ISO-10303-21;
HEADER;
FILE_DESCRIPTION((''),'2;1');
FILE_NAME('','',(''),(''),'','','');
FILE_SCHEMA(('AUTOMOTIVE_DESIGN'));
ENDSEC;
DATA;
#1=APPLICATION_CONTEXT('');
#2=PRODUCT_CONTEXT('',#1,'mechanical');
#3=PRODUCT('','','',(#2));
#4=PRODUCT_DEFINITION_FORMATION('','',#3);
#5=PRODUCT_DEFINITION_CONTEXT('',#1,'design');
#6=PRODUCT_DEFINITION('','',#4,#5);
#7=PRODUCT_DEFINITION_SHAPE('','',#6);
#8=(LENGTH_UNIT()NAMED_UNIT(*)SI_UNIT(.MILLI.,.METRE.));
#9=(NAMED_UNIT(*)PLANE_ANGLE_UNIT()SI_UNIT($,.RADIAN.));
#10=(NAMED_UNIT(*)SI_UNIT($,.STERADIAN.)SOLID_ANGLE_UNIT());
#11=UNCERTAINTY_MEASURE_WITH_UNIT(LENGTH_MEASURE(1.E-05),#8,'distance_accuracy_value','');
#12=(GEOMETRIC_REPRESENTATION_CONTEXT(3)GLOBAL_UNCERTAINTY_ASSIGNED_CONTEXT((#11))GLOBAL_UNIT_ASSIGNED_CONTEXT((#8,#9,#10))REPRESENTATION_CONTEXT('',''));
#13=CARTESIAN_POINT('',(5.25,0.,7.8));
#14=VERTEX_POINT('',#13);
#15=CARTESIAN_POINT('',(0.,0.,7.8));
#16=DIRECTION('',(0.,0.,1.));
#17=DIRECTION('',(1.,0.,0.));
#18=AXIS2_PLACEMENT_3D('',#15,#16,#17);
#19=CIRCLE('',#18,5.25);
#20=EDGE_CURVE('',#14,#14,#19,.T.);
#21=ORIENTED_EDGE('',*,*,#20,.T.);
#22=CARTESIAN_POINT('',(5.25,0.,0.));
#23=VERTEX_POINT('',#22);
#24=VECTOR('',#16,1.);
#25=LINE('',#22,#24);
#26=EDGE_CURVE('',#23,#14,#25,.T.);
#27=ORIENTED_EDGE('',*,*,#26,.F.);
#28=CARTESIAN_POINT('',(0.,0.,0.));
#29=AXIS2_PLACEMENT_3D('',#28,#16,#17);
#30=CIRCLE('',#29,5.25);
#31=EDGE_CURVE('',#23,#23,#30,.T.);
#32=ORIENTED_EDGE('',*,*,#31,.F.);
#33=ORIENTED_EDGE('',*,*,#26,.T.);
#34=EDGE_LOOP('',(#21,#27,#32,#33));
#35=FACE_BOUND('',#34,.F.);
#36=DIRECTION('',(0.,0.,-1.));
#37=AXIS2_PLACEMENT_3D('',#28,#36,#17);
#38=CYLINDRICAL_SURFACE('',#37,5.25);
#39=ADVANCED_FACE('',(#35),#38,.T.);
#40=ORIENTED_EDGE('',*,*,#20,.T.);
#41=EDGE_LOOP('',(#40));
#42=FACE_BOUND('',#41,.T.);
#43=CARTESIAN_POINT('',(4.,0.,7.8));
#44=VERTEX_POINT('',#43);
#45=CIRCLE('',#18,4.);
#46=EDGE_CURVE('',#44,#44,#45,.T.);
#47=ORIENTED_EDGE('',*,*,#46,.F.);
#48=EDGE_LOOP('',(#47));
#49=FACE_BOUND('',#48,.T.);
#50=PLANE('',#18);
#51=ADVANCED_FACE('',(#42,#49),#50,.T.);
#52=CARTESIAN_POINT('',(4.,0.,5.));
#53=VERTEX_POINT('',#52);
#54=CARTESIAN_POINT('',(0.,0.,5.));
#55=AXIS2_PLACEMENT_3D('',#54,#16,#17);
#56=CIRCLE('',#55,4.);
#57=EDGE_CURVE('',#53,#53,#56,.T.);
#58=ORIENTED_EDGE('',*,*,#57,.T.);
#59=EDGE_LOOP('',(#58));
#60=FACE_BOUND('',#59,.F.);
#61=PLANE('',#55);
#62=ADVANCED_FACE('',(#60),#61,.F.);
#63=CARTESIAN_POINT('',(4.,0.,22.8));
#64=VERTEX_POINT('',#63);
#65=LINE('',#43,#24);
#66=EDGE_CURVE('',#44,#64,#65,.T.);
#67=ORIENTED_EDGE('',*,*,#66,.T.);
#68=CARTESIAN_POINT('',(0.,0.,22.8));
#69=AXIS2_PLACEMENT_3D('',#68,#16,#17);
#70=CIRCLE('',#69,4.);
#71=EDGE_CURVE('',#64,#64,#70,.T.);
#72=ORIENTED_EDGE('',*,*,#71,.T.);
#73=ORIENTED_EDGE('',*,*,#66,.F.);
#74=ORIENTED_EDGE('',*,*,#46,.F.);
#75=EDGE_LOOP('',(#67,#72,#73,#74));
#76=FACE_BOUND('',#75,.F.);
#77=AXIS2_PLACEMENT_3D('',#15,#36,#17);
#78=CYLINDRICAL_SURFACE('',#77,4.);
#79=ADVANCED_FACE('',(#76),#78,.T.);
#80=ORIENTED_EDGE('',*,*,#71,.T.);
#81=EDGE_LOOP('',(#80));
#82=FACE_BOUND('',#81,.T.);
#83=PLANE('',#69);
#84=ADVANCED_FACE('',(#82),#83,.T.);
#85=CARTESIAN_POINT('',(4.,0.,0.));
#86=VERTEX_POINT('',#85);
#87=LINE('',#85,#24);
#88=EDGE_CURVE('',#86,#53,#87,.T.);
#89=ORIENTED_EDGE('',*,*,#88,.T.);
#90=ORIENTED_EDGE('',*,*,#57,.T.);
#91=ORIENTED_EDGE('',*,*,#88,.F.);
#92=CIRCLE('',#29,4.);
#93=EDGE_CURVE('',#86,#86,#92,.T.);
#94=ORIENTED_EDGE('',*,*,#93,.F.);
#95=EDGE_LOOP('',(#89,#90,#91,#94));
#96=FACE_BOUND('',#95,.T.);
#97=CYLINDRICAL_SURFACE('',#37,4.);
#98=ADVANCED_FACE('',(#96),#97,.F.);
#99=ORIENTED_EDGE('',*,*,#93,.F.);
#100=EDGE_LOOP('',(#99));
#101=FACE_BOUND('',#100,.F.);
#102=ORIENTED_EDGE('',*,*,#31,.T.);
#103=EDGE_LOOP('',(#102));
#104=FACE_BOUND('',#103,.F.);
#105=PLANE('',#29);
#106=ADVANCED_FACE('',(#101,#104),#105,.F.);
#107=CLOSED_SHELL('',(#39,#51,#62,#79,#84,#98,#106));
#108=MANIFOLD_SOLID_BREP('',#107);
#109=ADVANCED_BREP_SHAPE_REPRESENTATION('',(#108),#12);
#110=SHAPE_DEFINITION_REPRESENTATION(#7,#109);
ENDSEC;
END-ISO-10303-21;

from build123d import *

# Parameters (mm, degrees)
F0_R     = 5.25
F0_R_2   = 4
F1_DEPTH = 7.8
F2_DEPTH = 5
F3_R     = 4
F4_DEPTH = 15


with BuildPart() as f1:
    # F0 (on Top) → F1 (new body)
    with BuildSketch(Plane.XY):
        Circle(F0_R)
        Circle(F0_R_2, mode=Mode.SUBTRACT)
        Circle(F0_R_2)
    extrude(amount=F1_DEPTH)

    # F0 (on Top) → F2 (cut)
    with BuildSketch(Plane.XY):
        Circle(F0_R_2)
    extrude(amount=F2_DEPTH, mode=Mode.SUBTRACT)

    # F3 (on face) → F4 (join)
    with BuildSketch(Plane.XY.offset(7.8)):
        Circle(F3_R)
    extrude(amount=F4_DEPTH)


solid = f1.part
